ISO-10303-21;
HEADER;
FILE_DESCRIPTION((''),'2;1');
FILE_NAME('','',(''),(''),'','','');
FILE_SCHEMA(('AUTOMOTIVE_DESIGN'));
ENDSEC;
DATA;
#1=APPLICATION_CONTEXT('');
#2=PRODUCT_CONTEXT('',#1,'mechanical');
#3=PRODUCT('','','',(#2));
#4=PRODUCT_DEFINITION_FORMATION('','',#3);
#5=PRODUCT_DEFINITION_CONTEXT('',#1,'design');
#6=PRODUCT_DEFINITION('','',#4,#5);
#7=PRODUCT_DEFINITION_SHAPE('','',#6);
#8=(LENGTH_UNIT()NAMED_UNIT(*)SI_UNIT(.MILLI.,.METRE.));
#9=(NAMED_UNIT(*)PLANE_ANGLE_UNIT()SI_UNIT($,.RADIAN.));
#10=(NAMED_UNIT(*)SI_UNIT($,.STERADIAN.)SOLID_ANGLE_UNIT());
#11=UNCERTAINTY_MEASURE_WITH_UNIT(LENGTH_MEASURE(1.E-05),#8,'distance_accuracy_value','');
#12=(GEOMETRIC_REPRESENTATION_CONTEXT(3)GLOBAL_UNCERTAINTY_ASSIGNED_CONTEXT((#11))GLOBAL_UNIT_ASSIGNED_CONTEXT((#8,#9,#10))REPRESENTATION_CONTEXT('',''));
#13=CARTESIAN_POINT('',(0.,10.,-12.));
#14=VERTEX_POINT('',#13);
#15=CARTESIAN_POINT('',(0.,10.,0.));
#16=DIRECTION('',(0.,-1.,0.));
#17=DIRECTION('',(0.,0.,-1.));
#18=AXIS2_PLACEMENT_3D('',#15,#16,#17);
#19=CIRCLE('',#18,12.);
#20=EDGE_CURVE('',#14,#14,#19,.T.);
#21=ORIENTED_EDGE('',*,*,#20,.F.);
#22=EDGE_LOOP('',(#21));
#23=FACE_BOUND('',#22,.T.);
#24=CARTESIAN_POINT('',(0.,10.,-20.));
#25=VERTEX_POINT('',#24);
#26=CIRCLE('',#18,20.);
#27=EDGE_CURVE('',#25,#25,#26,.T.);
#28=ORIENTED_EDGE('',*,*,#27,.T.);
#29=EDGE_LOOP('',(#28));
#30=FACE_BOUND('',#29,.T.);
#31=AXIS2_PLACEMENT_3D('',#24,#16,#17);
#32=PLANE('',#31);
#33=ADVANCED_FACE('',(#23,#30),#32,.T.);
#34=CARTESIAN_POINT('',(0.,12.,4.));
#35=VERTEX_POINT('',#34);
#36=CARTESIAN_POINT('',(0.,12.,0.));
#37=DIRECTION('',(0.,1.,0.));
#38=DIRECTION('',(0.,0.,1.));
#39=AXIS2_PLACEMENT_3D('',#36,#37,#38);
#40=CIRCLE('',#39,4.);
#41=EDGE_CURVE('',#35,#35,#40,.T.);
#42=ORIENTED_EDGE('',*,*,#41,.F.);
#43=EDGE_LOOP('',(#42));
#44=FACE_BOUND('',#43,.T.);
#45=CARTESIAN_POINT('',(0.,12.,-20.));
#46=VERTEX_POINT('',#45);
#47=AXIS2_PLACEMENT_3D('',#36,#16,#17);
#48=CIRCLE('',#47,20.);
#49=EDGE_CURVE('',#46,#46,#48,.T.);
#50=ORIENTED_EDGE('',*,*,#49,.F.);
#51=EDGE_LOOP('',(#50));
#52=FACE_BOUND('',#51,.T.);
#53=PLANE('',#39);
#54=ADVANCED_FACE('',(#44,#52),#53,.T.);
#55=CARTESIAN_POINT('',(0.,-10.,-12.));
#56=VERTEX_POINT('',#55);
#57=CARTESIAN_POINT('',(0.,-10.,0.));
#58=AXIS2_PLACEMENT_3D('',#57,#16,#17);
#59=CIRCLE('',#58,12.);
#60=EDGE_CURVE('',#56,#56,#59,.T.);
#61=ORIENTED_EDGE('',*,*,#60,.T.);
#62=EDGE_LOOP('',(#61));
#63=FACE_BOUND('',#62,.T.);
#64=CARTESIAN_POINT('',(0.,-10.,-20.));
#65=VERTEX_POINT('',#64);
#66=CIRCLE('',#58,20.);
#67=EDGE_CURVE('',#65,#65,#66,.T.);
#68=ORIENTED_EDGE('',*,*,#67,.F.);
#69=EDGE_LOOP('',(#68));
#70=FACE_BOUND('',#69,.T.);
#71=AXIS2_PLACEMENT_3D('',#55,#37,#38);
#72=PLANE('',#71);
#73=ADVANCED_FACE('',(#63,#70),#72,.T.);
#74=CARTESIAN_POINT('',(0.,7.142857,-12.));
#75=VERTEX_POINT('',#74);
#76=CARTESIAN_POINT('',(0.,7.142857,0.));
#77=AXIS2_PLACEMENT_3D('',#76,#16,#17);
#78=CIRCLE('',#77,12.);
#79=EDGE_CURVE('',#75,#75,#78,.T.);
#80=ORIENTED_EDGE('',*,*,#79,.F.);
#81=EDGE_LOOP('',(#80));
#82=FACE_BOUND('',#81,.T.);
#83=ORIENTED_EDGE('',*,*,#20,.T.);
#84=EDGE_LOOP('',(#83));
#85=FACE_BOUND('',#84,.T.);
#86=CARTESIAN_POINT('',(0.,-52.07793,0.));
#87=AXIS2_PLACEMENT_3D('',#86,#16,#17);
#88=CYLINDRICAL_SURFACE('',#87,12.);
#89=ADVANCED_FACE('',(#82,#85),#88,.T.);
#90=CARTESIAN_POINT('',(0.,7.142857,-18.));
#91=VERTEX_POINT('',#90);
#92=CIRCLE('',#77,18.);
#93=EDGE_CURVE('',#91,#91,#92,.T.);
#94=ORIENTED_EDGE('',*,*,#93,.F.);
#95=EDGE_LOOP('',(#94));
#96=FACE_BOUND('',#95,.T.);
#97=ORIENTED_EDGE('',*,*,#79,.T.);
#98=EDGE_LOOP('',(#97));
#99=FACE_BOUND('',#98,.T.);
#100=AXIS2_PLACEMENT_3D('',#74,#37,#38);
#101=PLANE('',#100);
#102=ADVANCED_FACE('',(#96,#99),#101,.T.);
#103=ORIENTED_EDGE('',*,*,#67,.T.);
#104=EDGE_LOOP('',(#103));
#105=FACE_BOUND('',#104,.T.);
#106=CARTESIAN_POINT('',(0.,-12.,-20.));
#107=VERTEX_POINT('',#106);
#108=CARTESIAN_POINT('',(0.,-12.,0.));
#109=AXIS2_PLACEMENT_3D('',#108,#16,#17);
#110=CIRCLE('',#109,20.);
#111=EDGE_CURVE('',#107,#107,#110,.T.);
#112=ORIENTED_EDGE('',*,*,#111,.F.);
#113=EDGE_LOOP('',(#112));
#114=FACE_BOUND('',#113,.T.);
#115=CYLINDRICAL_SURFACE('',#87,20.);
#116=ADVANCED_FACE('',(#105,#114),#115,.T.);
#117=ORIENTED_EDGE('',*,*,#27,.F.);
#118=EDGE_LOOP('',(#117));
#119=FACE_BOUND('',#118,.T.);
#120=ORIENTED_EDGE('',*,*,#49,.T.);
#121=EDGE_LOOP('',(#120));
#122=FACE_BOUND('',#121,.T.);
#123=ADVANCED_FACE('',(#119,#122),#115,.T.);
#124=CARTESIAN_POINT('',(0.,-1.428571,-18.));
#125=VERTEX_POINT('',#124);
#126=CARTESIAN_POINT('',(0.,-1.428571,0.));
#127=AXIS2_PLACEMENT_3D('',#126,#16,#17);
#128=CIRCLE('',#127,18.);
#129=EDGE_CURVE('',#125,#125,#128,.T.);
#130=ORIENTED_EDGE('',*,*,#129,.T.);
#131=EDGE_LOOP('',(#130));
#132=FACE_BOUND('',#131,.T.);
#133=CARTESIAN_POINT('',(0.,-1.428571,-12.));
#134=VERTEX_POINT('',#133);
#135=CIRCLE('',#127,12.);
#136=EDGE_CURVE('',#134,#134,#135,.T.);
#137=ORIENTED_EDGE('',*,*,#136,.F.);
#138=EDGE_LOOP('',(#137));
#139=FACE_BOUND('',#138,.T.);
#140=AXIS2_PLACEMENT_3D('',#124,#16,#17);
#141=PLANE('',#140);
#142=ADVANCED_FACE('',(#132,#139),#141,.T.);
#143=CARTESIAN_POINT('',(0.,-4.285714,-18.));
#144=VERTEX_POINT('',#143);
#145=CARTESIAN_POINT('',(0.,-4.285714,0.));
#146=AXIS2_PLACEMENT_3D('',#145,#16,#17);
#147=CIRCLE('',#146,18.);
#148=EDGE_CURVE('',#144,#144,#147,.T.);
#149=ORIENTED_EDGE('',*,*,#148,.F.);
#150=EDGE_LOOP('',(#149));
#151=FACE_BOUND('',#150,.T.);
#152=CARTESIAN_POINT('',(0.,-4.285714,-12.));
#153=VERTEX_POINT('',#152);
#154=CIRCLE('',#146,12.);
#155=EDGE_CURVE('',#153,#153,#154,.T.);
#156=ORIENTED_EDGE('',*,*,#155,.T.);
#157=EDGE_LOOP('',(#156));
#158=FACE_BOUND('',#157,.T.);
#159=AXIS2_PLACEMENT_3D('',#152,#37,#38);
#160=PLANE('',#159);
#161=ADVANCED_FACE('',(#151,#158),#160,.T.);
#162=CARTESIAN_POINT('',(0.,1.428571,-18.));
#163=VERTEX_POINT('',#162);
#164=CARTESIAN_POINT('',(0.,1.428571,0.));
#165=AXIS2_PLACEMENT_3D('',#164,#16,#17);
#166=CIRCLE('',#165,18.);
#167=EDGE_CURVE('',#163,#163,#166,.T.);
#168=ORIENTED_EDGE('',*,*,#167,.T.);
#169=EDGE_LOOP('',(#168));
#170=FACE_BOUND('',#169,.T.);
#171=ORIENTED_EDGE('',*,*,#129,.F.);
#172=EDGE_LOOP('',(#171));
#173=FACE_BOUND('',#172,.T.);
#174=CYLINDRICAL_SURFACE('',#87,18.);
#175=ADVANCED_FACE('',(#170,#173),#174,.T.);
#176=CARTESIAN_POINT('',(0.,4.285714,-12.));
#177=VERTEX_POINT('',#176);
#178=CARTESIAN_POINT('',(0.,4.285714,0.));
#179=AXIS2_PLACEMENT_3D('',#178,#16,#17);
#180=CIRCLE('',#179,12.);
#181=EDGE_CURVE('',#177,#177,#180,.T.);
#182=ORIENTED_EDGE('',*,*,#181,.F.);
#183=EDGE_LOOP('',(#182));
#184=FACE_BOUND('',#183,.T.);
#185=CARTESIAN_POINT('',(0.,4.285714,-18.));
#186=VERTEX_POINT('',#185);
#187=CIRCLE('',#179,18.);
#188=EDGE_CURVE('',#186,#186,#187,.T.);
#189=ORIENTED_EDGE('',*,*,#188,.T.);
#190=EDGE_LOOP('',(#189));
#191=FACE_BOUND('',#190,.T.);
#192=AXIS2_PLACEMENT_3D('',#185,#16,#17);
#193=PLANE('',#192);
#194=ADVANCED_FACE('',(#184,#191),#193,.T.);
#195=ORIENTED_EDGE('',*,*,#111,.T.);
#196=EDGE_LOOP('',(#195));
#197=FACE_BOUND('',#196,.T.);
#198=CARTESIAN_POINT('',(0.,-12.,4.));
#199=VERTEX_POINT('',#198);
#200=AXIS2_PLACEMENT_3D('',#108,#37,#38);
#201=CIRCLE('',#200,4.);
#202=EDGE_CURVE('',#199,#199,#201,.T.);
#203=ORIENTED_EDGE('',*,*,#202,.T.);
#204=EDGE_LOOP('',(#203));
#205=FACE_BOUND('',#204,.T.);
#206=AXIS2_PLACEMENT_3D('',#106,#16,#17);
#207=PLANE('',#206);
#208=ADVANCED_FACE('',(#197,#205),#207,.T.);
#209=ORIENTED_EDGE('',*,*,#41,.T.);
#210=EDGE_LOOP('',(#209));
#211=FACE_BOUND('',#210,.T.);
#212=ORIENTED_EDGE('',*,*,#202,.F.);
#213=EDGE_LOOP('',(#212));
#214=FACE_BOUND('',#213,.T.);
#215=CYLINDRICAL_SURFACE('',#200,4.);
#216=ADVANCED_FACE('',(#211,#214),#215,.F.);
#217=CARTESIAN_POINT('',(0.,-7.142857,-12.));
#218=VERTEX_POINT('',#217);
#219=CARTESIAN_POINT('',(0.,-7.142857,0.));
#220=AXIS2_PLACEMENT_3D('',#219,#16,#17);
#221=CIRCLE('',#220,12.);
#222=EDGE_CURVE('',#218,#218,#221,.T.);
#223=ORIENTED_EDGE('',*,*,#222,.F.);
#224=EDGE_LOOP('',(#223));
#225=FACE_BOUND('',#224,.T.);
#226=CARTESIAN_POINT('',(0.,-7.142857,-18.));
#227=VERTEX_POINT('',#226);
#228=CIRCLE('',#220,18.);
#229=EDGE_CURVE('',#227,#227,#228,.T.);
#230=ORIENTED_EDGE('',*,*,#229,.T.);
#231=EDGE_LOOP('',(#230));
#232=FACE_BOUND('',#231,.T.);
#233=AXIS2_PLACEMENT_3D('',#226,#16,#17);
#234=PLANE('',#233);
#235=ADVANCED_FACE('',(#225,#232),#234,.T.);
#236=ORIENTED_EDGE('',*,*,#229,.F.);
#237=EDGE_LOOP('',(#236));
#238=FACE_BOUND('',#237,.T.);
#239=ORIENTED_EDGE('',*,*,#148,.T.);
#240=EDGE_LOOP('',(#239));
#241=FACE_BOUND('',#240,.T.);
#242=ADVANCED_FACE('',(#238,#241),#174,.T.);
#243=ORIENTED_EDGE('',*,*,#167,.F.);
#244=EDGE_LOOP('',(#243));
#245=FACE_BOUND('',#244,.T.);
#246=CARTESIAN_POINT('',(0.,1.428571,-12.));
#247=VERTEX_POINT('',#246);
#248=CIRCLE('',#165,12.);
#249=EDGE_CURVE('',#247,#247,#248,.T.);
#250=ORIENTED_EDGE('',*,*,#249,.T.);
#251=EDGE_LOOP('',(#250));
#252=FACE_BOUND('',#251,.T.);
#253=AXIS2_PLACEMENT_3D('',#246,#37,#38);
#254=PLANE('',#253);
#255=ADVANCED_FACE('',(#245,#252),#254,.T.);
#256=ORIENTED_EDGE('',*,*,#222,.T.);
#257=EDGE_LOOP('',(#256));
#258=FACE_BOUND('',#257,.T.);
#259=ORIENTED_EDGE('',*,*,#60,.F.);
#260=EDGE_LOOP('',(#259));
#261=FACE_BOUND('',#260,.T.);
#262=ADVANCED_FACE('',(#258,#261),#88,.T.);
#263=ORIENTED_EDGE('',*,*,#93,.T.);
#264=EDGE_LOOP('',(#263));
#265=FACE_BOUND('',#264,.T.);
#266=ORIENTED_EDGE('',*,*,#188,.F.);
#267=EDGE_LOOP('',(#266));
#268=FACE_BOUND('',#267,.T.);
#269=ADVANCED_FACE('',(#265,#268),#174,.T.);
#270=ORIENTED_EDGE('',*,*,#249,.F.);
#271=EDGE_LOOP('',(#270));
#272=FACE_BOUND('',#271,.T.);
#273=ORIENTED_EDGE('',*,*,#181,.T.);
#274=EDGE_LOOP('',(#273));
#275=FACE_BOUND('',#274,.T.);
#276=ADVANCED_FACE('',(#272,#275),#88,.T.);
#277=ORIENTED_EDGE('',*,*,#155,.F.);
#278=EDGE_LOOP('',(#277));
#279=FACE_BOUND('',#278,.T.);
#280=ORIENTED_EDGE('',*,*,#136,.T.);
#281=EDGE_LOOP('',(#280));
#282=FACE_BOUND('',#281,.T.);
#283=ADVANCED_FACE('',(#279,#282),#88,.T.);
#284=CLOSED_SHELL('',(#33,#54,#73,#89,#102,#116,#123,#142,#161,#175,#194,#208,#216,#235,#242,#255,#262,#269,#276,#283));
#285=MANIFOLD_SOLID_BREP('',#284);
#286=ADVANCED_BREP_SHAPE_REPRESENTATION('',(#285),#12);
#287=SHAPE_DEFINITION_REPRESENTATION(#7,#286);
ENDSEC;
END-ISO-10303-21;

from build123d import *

# Parameters (mm, degrees)
SKETCH3_R          = 4
CUT_EXTRUDE1_DEPTH = 38.094473982


with BuildPart() as part:
    # Sketch2 → Revolve1 (revolve)
    with BuildSketch(Plane(origin=(0, 0, 0), x_dir=(0, 0, -1), z_dir=(1, 0, 0))):
        Polygon((0, -12), (0, 12), (20, 12), (20, 10), (12, 10), (12, 7.142857143), (18, 7.142857143), (18, 4.285714286), (12, 4.285714286), (12, 1.428571429), (18, 1.428571429), (18, -1.428571429), (12, -1.428571429), (12, -4.285714286), (18, -4.285714286), (18, -7.142857143), (12, -7.142857143), (12, -10), (20, -10), (20, -12), align=None)
    revolve(axis=Axis((0, -52.077930442, 0), (0, 1, 0)))

    # Sketch3 → Cut-Extrude1 (cut, through all)
    with BuildSketch(Plane(origin=(0, 12, 0), x_dir=(1, 0, 0), z_dir=(0, 1, 0))):
        with Locations(Location((0, 0, 0), (0, 0, 270))):
            Circle(SKETCH3_R)
    extrude(amount=-CUT_EXTRUDE1_DEPTH, mode=Mode.SUBTRACT)


solid = part.part
